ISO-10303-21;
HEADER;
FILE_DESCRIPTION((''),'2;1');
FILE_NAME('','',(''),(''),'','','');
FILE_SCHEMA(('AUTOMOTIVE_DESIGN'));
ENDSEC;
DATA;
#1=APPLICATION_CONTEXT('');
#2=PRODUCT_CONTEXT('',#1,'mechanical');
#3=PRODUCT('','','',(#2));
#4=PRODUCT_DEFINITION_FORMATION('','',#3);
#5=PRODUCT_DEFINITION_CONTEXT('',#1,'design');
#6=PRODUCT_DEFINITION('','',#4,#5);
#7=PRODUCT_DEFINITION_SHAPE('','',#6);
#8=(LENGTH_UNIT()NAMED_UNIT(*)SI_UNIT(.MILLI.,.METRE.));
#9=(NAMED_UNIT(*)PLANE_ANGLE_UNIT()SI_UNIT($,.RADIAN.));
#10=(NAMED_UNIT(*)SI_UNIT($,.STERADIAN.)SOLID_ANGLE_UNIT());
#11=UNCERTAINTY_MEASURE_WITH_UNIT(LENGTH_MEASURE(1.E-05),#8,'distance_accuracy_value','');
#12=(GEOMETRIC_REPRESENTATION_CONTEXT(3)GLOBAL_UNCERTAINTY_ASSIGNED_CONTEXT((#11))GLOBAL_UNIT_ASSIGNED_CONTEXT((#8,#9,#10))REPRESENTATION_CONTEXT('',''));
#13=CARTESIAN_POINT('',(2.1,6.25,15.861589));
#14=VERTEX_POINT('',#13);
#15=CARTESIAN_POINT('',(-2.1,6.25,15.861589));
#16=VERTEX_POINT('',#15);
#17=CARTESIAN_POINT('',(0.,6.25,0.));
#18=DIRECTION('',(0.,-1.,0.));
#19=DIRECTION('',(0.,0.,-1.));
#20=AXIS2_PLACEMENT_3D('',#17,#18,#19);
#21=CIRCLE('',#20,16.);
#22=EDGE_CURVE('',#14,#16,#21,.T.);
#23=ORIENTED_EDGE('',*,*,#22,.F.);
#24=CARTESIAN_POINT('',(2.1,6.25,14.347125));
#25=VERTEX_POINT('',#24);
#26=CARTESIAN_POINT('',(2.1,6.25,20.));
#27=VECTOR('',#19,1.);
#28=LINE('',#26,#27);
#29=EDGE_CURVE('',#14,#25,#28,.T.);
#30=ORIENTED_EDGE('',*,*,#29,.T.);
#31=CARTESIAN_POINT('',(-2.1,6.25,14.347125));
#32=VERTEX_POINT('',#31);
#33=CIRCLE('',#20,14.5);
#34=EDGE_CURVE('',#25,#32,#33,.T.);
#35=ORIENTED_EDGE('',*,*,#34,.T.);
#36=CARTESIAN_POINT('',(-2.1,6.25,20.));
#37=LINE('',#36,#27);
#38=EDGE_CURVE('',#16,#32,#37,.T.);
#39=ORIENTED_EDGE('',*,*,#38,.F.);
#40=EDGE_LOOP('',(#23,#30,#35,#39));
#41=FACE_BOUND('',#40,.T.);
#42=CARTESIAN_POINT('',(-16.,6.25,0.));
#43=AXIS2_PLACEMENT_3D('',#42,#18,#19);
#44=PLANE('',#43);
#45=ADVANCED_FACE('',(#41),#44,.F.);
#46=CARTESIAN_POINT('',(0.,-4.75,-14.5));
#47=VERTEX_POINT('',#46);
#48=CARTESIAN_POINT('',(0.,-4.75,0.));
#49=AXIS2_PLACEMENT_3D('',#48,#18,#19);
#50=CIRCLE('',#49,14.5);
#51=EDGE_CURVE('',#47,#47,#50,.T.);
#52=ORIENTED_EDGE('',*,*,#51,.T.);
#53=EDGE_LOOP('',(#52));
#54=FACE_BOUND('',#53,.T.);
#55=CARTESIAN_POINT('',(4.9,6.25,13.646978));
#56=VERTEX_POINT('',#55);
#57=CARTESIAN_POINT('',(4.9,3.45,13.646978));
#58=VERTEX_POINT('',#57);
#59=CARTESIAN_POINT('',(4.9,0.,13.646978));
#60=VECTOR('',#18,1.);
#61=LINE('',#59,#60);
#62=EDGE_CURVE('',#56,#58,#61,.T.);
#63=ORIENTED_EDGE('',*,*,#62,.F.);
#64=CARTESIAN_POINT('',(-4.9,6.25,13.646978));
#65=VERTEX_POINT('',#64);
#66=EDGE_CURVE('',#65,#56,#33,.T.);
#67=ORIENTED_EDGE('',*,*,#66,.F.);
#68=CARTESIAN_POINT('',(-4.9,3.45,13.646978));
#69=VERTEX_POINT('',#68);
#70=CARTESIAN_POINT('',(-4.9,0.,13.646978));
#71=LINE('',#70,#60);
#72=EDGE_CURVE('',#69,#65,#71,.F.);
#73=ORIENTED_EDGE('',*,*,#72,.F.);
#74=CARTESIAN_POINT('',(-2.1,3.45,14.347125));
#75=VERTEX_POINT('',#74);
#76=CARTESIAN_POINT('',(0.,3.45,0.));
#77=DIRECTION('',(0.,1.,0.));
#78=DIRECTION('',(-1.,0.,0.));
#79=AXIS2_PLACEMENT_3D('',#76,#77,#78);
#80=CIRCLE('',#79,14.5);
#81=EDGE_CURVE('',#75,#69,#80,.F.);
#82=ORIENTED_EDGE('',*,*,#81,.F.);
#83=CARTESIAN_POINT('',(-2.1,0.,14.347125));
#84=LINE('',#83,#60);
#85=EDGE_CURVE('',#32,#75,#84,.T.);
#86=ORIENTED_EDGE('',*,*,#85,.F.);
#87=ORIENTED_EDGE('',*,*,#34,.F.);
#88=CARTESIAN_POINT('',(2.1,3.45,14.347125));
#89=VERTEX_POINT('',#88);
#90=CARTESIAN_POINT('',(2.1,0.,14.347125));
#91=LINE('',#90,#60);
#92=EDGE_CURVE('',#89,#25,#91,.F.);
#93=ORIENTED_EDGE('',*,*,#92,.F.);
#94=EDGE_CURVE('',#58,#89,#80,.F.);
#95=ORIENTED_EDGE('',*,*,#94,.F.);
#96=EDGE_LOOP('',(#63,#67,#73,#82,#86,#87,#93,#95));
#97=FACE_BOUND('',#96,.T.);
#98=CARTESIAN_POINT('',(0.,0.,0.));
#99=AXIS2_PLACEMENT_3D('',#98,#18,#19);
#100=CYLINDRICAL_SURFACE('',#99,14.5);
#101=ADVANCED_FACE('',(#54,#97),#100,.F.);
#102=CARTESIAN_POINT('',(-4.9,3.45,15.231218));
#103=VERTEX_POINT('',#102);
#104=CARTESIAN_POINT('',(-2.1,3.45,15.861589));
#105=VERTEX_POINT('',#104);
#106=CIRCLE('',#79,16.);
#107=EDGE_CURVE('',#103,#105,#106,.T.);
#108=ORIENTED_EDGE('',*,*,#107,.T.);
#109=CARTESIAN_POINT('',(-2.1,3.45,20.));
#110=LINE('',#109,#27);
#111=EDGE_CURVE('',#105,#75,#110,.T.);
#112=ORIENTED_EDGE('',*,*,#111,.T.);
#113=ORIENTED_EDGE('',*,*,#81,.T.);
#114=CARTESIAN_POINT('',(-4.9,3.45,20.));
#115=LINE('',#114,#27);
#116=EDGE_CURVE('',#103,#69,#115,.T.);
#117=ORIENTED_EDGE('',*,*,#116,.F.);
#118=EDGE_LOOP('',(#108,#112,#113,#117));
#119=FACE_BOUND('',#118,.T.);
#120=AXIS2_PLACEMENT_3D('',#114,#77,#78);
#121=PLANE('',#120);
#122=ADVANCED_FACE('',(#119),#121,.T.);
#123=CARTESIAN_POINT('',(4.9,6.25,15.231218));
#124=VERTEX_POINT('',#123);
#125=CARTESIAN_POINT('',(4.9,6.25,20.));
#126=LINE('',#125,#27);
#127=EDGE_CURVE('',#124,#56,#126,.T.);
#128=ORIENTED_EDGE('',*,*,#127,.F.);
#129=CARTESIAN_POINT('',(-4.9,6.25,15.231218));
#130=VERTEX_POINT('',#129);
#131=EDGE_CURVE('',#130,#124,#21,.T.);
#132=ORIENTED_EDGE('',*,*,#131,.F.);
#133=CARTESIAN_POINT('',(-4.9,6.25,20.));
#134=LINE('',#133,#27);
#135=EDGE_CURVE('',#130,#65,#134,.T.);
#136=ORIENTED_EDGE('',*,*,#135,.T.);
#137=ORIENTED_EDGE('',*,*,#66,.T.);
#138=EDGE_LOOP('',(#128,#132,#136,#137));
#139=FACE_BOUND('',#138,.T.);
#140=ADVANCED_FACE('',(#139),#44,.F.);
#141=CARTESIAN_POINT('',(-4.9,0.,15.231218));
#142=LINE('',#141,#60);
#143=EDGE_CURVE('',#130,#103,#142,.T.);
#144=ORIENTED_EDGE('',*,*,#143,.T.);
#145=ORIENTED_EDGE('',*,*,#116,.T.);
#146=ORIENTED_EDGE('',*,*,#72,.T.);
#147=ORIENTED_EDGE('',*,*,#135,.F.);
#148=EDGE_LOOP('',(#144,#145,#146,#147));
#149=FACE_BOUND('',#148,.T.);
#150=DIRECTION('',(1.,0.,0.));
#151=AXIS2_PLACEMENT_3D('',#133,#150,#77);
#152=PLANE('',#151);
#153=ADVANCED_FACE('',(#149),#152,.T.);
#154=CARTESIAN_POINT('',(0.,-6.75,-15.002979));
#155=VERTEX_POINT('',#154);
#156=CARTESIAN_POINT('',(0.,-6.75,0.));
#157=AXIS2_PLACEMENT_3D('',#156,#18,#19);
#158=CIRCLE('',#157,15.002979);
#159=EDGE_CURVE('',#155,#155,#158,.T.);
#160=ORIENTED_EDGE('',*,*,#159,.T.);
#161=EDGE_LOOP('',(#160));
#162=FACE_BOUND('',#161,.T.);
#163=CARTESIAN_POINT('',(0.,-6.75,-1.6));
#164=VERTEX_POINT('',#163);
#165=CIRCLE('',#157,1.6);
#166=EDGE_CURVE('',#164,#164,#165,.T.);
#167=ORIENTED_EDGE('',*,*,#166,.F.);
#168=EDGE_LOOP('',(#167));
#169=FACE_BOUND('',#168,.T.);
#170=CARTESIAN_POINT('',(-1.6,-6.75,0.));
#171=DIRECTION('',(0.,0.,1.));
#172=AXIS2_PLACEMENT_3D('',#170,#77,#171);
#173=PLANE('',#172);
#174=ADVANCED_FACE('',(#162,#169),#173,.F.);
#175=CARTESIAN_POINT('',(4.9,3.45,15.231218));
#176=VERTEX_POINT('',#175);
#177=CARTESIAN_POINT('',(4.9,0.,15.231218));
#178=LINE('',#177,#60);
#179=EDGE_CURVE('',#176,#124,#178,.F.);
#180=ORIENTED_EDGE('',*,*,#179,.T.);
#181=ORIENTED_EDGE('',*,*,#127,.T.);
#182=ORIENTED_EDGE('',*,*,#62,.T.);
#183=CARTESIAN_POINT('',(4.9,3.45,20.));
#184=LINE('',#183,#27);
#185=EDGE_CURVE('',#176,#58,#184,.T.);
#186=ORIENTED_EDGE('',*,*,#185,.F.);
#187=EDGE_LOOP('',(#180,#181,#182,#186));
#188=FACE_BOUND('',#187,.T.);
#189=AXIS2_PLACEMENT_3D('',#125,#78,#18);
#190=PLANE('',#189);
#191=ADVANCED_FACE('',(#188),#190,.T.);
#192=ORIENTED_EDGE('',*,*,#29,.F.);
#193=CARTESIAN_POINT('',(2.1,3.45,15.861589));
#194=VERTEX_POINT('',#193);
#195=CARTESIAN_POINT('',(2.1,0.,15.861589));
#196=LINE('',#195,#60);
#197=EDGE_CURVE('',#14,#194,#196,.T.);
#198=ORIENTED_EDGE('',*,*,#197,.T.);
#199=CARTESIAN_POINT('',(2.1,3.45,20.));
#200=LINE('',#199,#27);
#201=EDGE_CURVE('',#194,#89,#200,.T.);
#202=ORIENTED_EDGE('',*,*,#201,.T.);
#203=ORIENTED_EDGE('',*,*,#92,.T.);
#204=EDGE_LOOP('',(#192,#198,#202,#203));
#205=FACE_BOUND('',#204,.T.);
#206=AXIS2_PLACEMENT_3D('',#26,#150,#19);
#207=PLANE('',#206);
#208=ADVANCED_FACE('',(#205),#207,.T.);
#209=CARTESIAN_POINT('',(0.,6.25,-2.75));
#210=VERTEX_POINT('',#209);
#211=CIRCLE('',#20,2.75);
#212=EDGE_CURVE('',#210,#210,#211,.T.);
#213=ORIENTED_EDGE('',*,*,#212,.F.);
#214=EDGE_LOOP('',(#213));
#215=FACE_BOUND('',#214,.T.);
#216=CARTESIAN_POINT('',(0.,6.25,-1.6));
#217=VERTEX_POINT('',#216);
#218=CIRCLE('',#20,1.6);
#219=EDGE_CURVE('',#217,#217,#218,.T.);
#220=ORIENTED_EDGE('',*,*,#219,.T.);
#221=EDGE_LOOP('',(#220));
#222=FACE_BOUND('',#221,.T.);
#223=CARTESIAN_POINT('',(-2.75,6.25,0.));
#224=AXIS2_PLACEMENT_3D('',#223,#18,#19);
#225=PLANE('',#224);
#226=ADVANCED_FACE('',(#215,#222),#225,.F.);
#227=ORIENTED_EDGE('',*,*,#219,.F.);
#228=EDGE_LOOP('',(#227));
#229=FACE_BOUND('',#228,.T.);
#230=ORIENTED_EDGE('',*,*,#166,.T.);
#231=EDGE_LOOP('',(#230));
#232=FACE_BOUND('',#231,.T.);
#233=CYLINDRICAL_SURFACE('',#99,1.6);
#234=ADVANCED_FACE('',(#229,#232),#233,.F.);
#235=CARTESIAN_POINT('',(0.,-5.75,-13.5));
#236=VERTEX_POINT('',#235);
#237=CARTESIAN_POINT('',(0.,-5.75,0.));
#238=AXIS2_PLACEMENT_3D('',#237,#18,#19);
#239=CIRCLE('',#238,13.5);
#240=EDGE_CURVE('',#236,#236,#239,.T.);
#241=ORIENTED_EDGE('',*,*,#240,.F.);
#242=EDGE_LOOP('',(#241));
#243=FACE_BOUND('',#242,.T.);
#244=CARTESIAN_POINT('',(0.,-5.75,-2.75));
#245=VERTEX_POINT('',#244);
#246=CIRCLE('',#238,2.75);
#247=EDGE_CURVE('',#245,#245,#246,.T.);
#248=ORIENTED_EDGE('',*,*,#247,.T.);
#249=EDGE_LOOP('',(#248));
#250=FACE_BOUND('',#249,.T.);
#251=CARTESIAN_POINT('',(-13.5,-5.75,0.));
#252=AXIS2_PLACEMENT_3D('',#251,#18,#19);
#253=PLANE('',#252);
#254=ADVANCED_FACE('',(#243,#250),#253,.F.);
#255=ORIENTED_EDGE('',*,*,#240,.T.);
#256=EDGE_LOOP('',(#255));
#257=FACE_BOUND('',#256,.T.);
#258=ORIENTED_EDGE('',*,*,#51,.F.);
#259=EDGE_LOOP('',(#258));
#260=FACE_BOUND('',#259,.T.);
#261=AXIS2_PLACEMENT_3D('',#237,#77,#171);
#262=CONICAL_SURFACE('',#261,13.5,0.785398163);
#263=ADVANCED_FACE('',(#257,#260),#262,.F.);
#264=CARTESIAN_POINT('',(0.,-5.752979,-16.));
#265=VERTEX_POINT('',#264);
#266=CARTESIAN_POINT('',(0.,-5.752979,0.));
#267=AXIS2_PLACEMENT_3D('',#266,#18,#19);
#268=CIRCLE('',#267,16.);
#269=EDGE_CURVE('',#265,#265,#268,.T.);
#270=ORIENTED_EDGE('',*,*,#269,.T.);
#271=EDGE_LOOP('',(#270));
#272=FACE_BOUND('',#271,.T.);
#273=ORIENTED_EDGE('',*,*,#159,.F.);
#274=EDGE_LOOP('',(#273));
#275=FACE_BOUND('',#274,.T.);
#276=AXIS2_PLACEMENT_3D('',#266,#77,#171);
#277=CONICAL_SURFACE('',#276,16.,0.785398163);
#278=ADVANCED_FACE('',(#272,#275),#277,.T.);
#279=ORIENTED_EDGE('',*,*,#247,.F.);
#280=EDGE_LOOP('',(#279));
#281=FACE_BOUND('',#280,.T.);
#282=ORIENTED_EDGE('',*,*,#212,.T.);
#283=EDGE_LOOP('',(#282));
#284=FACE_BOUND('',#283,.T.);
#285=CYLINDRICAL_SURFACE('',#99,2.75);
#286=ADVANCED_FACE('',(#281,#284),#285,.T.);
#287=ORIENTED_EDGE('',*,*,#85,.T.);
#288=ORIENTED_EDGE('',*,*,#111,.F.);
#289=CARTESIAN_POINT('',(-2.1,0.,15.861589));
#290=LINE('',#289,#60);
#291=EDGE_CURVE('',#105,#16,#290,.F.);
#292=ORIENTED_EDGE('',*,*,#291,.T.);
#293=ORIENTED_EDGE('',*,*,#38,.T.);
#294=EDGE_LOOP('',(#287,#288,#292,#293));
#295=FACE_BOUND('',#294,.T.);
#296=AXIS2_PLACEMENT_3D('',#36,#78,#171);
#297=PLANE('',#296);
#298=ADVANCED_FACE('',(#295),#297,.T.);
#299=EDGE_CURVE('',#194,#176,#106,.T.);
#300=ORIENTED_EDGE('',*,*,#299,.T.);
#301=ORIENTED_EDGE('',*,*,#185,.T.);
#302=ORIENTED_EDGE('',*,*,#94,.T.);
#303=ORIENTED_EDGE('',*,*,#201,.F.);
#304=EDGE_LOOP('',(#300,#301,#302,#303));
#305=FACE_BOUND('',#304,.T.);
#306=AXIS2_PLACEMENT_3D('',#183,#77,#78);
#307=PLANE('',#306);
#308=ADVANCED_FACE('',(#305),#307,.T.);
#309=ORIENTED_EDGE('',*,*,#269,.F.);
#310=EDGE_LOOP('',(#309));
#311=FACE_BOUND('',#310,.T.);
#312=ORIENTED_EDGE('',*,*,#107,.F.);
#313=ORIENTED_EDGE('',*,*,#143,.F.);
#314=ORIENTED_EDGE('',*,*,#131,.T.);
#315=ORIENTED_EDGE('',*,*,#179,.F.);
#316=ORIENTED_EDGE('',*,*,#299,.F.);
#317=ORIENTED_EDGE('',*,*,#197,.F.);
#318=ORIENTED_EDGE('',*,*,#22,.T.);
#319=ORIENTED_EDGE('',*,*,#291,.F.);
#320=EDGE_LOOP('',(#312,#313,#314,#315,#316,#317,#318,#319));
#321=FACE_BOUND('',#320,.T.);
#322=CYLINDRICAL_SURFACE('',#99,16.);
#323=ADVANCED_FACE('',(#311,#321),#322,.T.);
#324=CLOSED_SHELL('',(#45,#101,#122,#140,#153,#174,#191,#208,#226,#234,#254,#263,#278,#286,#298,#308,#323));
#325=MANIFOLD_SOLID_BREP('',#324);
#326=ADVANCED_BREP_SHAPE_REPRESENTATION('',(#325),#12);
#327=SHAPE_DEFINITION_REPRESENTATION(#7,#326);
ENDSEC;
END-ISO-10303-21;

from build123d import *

# Parameters (mm, degrees)
CUT_EXTRUDE1_START = 10
SKETCH2_W          = 2.8
SKETCH2_H          = 2.8
CUT_EXTRUDE1_DEPTH = 10


with BuildPart() as part:
    # Sketch1 → Revolve1 (revolve)
    with BuildSketch(Plane.XY, mode=Mode.PRIVATE) as revolve1_sk:
        Polygon((-14.5, 6.25), (-14.5, -4.75), (-13.5, -5.75), (-2.75, -5.75), (-2.75, 6.25), (-1.6, 6.25), (-1.6, -6.75), (-15.002979439, -6.75), (-16, -5.752979439), (-16, 6.25), align=None)
    revolve(revolve1_sk.sketch.rotate(Axis((0, 0, 0), (0, 1, 0)), 270), axis=Axis((0, 0, 0), (0, 1, 0)))

    # Sketch2 → Cut-Extrude1 (cut)
    with BuildSketch(Plane.XY.offset(CUT_EXTRUDE1_START)):
        with Locations((-3.5, 4.85)):
            Rectangle(SKETCH2_W, SKETCH2_H)
        with Locations((3.5, 4.85)):
            Rectangle(SKETCH2_W, SKETCH2_H)
    extrude(amount=CUT_EXTRUDE1_DEPTH, mode=Mode.SUBTRACT)


solid = part.part
